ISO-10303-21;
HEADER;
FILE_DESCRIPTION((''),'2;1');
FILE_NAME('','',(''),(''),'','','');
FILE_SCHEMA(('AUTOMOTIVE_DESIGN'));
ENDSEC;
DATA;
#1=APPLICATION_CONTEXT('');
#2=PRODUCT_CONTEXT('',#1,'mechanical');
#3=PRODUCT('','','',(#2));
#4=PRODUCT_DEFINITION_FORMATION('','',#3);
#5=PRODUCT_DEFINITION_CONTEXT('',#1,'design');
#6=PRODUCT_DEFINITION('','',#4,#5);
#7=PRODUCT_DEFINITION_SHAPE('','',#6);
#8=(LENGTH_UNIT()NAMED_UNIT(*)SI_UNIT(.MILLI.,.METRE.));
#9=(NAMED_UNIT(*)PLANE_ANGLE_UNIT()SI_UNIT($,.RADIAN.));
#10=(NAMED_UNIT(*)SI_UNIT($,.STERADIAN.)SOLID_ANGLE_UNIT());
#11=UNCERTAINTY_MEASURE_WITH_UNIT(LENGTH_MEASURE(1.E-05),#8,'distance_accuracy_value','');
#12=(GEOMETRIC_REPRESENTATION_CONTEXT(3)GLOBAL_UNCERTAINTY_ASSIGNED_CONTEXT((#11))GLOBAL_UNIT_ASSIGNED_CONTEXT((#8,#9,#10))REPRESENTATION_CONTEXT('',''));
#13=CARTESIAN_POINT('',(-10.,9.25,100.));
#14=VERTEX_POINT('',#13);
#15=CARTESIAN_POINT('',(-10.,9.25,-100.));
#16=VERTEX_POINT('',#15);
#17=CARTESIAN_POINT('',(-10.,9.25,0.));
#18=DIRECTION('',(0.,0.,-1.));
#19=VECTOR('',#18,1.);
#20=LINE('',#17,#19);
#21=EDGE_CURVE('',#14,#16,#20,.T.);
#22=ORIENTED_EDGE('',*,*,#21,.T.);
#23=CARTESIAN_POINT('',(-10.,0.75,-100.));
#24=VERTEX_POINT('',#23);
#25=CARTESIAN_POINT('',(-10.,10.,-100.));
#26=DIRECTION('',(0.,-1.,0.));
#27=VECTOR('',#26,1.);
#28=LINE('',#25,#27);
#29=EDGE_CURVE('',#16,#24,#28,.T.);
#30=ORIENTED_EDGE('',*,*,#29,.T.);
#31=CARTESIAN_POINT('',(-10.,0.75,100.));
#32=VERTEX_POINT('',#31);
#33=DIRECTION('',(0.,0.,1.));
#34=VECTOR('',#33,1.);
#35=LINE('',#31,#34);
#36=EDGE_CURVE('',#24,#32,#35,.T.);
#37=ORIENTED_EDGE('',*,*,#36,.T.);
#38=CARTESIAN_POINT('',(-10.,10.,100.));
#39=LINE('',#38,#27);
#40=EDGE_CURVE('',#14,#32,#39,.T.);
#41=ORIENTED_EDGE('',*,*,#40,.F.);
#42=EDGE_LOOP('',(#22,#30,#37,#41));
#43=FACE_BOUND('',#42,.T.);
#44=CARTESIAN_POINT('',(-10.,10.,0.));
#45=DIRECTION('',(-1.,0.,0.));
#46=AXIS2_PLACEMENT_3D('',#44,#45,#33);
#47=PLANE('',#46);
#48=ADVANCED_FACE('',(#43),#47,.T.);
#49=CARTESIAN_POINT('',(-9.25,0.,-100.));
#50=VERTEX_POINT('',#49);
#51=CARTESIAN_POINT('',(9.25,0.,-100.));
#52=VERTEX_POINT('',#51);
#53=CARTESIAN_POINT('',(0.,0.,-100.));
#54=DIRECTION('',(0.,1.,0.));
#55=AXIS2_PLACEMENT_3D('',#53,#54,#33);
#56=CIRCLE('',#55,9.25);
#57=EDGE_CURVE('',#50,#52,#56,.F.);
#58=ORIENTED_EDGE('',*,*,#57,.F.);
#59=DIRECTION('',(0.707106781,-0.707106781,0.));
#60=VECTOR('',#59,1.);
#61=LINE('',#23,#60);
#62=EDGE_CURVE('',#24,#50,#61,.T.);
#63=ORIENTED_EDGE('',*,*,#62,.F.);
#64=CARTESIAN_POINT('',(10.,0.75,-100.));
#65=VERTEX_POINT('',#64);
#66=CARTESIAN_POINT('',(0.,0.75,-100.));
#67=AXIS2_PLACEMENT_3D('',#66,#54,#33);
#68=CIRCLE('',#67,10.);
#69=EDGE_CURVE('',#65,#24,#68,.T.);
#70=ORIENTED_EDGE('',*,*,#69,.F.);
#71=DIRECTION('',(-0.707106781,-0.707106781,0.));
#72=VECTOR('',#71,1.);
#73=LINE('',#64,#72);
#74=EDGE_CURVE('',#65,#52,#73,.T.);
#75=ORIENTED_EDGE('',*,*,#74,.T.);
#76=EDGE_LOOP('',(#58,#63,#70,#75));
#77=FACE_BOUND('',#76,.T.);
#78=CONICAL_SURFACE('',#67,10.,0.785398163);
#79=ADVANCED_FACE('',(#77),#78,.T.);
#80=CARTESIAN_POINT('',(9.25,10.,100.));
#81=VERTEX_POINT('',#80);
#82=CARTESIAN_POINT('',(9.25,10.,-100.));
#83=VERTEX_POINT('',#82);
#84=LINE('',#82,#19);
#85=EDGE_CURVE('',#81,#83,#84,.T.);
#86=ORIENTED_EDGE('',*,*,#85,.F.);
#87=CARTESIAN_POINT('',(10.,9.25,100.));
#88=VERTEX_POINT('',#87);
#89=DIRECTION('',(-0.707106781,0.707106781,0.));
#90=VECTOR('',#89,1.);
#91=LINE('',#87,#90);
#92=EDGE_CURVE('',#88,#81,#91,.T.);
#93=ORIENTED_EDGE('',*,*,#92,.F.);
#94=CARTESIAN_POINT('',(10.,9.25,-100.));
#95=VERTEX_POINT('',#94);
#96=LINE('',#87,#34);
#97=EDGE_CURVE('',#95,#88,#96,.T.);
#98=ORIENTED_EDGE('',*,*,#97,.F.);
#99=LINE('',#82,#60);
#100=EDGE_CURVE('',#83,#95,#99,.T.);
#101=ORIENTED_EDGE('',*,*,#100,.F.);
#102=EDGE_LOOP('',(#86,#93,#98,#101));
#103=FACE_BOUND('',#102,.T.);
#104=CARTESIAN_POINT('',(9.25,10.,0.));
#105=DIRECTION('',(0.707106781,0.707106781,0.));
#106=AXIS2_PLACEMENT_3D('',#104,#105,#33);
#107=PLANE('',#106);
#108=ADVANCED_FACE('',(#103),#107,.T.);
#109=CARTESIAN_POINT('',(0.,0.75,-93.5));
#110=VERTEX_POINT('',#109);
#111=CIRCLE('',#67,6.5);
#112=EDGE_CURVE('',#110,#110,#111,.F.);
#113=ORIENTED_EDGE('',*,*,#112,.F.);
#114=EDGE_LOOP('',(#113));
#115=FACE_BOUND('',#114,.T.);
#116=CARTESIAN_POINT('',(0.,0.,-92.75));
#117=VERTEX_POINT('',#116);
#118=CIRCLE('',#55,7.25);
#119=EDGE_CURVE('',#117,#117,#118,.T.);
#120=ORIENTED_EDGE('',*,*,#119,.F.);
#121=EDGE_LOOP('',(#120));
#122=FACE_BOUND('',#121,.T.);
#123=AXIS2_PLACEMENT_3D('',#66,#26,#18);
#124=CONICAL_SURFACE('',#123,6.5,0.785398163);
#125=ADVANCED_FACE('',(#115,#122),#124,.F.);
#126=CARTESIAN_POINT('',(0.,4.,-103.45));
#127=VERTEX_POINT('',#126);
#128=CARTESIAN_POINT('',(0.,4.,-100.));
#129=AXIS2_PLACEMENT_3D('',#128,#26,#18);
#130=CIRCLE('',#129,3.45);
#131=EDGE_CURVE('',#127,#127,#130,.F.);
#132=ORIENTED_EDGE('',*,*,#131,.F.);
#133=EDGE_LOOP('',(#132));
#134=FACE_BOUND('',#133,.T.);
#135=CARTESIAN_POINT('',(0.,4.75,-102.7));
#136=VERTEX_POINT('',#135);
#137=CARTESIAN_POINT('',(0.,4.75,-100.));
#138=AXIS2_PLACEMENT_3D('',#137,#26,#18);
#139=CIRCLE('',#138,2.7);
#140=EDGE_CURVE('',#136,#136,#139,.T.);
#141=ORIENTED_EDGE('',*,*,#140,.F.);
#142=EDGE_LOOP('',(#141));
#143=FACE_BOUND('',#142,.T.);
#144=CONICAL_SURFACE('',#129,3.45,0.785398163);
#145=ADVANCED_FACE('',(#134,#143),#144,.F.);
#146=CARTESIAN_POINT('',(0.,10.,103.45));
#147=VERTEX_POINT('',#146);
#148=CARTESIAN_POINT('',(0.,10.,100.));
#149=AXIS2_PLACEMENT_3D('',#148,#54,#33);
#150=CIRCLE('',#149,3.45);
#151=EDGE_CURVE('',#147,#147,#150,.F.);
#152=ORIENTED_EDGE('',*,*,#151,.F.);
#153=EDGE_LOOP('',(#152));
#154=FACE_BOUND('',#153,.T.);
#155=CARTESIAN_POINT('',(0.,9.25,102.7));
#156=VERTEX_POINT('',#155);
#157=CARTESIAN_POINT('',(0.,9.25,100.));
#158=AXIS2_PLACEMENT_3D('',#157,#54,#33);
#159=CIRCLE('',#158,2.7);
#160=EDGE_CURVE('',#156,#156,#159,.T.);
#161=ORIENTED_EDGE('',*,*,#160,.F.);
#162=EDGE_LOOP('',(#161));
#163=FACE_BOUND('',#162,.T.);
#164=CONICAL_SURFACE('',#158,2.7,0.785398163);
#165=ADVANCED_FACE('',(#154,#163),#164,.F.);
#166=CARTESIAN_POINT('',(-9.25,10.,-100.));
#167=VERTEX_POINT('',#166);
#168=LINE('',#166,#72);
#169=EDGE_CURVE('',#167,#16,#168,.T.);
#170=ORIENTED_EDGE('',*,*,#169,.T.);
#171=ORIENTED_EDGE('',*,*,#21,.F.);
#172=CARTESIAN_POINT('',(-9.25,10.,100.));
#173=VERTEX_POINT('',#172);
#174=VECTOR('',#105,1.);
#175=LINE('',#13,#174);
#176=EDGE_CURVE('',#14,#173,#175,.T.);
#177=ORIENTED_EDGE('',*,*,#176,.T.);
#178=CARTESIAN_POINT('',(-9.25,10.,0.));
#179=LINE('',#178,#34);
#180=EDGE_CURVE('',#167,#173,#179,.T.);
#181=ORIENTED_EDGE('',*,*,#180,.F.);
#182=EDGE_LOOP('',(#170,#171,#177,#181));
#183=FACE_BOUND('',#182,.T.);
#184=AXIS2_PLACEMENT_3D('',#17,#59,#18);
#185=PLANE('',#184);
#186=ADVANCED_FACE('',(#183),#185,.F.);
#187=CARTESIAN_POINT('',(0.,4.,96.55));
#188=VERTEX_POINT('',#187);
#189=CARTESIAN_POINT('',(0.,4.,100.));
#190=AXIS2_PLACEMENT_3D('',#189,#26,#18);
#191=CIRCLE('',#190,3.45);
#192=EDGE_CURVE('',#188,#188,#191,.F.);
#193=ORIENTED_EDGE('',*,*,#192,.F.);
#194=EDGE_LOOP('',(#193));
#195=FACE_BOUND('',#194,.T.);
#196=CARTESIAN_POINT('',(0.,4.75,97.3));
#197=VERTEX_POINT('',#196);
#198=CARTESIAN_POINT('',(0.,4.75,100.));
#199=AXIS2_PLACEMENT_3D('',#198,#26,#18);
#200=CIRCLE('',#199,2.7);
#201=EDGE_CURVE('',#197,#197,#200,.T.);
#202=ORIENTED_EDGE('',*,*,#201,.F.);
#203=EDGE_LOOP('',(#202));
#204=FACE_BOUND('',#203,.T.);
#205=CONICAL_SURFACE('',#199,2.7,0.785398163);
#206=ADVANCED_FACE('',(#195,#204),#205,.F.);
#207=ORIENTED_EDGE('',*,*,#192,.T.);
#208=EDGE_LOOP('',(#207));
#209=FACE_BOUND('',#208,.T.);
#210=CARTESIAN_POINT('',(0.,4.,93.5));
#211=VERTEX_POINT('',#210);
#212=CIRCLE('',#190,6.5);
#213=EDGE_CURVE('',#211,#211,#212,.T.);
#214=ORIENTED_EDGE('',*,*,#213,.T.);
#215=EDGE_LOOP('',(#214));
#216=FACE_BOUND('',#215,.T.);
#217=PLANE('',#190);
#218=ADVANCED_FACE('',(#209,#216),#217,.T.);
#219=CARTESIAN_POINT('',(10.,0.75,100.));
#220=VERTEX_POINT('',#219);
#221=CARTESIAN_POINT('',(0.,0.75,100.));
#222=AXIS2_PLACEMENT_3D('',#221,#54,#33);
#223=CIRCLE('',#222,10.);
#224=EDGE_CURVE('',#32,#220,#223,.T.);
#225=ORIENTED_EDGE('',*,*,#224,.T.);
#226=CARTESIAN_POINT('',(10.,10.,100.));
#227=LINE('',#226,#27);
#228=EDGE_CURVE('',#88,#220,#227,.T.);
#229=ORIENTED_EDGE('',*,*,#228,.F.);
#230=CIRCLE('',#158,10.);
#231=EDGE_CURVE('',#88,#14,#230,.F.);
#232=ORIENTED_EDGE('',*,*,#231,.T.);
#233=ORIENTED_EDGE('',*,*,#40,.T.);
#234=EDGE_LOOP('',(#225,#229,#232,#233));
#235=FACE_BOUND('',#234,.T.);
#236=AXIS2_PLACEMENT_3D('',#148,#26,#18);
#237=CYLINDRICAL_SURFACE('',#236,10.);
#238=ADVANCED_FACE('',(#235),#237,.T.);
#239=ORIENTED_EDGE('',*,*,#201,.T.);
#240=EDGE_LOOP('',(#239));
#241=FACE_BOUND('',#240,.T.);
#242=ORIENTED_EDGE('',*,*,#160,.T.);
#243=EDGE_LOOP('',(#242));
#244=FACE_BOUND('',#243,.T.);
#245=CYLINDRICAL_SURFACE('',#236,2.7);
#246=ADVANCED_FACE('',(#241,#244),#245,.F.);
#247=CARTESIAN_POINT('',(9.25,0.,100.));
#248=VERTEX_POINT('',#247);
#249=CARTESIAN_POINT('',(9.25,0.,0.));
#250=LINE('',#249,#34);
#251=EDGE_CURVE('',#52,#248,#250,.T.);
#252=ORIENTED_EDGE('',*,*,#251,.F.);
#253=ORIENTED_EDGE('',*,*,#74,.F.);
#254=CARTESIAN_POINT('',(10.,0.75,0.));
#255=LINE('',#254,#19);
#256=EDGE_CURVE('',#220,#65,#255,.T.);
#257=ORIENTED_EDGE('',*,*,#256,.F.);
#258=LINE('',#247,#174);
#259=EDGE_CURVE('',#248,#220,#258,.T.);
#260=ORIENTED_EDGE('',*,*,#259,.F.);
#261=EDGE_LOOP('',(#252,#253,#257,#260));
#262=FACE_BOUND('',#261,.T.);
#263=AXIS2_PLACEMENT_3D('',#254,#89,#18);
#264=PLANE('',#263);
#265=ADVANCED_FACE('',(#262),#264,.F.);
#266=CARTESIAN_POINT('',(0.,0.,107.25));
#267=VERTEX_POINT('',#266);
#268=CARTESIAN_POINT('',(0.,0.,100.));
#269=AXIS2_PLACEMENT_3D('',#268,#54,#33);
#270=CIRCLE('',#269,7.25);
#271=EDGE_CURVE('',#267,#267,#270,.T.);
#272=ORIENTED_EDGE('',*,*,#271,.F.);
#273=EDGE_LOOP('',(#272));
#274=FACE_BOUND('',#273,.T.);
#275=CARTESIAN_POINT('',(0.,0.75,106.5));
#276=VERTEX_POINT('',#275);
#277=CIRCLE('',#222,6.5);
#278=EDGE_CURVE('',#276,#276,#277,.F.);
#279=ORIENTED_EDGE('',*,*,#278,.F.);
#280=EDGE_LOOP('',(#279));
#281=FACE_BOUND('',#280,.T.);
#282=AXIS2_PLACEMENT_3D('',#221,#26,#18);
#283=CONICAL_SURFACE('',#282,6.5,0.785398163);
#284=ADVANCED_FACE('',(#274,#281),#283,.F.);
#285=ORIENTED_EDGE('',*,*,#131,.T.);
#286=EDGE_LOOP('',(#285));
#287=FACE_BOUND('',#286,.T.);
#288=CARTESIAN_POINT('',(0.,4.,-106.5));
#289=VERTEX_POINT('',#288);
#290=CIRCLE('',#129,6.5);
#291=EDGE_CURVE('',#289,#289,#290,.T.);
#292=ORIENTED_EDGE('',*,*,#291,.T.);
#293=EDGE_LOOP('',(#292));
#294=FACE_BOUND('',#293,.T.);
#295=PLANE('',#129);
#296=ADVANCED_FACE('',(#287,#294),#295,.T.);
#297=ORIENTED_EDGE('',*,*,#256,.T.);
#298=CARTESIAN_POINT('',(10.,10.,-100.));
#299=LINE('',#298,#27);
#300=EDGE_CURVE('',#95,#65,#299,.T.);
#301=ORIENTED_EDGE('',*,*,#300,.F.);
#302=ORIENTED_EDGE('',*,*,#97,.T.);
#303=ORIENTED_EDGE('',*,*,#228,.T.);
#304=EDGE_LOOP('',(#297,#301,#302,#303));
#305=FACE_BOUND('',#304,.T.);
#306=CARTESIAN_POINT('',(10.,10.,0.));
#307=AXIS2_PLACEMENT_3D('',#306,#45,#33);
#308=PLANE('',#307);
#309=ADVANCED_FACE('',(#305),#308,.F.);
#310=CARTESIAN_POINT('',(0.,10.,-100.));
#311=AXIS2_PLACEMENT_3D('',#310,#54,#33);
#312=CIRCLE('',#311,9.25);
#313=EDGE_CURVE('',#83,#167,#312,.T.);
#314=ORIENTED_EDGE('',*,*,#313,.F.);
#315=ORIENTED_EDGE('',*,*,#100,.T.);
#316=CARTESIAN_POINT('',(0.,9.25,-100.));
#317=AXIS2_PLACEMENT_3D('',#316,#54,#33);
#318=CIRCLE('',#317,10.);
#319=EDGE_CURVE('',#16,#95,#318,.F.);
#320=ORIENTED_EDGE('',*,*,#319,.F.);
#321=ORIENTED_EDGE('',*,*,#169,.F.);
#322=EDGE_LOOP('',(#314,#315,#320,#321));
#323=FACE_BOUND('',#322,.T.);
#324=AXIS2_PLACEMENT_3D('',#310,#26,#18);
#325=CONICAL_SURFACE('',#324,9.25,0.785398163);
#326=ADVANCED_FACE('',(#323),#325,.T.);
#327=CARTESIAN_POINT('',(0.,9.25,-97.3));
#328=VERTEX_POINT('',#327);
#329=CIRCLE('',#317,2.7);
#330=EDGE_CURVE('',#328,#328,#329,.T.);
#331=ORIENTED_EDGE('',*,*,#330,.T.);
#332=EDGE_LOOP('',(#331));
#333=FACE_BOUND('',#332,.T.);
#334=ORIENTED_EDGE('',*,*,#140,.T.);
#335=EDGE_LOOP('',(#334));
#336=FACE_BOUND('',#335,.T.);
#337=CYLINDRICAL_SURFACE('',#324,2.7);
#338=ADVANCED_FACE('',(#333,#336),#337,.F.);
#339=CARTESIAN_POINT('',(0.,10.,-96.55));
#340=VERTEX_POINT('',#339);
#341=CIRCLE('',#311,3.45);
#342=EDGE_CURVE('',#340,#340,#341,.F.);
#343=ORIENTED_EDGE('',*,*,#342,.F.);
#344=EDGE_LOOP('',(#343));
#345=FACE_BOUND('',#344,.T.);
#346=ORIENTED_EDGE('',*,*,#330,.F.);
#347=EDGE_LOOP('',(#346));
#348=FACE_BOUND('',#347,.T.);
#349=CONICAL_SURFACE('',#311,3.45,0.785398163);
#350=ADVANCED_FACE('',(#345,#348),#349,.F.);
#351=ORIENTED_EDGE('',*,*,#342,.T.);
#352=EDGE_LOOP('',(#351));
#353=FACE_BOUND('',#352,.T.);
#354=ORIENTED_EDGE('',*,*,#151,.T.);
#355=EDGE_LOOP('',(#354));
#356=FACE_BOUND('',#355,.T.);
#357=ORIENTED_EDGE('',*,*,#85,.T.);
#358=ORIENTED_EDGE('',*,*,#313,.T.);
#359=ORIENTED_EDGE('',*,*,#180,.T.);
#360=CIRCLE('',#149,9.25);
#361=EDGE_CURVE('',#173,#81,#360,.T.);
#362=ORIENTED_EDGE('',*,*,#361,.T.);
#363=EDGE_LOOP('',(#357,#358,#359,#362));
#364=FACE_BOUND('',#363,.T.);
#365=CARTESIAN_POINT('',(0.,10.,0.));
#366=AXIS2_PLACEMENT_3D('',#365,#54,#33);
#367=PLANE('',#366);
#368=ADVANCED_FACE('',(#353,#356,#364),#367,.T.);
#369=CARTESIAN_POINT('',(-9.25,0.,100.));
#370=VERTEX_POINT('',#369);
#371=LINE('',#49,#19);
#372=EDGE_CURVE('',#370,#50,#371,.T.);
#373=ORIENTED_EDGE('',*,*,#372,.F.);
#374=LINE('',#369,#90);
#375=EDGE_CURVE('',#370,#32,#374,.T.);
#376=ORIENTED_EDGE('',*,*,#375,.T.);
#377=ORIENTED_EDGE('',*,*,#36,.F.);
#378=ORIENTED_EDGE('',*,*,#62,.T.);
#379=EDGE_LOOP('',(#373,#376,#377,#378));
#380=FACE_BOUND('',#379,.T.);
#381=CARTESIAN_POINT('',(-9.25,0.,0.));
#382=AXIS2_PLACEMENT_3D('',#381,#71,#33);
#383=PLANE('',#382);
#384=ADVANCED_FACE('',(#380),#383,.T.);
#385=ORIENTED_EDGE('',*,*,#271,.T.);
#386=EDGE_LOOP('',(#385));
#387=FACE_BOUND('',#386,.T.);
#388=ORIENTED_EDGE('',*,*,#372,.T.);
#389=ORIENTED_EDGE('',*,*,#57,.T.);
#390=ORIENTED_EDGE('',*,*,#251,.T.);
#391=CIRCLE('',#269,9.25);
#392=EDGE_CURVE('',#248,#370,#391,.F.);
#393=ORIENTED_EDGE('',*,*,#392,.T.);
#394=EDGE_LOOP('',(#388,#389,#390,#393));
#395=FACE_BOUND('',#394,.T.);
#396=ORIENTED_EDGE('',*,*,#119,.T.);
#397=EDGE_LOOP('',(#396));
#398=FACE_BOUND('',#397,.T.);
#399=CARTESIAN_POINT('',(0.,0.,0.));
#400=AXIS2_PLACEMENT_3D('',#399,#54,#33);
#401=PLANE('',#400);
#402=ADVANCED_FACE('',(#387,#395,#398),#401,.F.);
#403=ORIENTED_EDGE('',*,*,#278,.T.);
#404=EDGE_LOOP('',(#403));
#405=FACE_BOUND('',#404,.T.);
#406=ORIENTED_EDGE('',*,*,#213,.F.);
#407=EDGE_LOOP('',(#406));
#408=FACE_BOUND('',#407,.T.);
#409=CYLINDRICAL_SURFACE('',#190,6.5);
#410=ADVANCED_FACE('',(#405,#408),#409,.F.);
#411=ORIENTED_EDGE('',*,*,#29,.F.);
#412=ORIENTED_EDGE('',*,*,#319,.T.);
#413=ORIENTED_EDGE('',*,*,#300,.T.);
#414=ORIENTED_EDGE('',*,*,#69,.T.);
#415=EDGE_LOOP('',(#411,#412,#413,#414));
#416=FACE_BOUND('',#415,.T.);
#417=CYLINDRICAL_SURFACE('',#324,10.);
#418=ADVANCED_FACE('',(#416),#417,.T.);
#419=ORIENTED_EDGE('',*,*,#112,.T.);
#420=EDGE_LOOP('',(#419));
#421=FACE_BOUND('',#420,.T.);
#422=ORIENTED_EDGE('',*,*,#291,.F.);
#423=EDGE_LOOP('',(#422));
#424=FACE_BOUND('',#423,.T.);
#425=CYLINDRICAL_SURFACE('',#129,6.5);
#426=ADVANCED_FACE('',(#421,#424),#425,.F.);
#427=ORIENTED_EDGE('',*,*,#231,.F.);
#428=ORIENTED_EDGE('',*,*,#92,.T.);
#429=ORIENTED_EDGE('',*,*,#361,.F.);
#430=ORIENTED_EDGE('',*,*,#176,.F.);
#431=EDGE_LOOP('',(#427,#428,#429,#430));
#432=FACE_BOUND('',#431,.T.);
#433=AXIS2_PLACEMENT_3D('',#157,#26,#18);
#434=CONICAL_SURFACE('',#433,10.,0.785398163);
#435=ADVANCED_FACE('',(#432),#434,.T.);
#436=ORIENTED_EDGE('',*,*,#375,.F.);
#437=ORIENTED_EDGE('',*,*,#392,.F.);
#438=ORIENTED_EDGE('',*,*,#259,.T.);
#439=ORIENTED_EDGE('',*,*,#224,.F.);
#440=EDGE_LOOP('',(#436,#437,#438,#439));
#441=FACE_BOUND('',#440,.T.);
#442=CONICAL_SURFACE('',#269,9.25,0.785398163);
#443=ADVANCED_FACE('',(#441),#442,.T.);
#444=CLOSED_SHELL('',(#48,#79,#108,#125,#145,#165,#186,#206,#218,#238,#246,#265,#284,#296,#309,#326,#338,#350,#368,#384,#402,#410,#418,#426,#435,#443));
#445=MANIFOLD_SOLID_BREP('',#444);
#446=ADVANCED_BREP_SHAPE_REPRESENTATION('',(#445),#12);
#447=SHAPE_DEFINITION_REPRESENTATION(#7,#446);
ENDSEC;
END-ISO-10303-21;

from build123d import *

# Parameters (mm, degrees)
SKETCH1_R           = 2.7
BOSS_EXTRUDE1_DEPTH = 10
SKETCH2_R           = 6.5
CUT_EXTRUDE1_DEPTH  = 4
CHAMFER1_SIZE       = 0.75


with BuildPart() as part:
    # Sketch1 → Boss-Extrude1 (new body)
    with BuildSketch(Plane(origin=(0, 0, 0), x_dir=(1, 0, 0), z_dir=(0, 1, 0))):
        with BuildLine():
            Line((10, -100), (10, 100))
            ThreePointArc((10, 100), (0, 110), (-10, 100))
            Line((-10, 100), (-10, -100))
            ThreePointArc((-10, -100), (0, -110), (10, -100))
        make_face()
        with Locations(Location((0, -100, 0), (0, 0, 270))):
            Circle(SKETCH1_R, mode=Mode.SUBTRACT)
        with Locations(Location((0, 100, 0), (0, 0, 270))):
            Circle(SKETCH1_R, mode=Mode.SUBTRACT)
    extrude(amount=BOSS_EXTRUDE1_DEPTH)

    # Sketch2 → Cut-Extrude1 (cut)
    with BuildSketch(Plane.XZ):
        with Locations(Location((0, 100, 0), (0, 0, 270))):
            Circle(SKETCH2_R)
        with Locations(Location((0, -100, 0), (0, 0, 270))):
            Circle(SKETCH2_R)
    extrude(amount=-CUT_EXTRUDE1_DEPTH, mode=Mode.SUBTRACT)

    # Chamfer1
    chamfer1_edges = [part.edges().sort_by_distance(p)[0] for p in [
        (0, 10, 97.3),
        (10, 10, 0),
        (0, 10, -110),
        (0, 4, 97.3),
        (0, 0, 106.5),
        (0, 0, -93.5),
        (0, 4, -102.7),
        (-10, 10, 0),
        (0, 10, 110),
        (0, 10, -102.7),
        (0, 0, 110),
        (-10, 0, 0),
        (0, 0, -110),
        (10, 0, 0),
    ]]
    chamfer(chamfer1_edges, length=CHAMFER1_SIZE)


solid = part.part
